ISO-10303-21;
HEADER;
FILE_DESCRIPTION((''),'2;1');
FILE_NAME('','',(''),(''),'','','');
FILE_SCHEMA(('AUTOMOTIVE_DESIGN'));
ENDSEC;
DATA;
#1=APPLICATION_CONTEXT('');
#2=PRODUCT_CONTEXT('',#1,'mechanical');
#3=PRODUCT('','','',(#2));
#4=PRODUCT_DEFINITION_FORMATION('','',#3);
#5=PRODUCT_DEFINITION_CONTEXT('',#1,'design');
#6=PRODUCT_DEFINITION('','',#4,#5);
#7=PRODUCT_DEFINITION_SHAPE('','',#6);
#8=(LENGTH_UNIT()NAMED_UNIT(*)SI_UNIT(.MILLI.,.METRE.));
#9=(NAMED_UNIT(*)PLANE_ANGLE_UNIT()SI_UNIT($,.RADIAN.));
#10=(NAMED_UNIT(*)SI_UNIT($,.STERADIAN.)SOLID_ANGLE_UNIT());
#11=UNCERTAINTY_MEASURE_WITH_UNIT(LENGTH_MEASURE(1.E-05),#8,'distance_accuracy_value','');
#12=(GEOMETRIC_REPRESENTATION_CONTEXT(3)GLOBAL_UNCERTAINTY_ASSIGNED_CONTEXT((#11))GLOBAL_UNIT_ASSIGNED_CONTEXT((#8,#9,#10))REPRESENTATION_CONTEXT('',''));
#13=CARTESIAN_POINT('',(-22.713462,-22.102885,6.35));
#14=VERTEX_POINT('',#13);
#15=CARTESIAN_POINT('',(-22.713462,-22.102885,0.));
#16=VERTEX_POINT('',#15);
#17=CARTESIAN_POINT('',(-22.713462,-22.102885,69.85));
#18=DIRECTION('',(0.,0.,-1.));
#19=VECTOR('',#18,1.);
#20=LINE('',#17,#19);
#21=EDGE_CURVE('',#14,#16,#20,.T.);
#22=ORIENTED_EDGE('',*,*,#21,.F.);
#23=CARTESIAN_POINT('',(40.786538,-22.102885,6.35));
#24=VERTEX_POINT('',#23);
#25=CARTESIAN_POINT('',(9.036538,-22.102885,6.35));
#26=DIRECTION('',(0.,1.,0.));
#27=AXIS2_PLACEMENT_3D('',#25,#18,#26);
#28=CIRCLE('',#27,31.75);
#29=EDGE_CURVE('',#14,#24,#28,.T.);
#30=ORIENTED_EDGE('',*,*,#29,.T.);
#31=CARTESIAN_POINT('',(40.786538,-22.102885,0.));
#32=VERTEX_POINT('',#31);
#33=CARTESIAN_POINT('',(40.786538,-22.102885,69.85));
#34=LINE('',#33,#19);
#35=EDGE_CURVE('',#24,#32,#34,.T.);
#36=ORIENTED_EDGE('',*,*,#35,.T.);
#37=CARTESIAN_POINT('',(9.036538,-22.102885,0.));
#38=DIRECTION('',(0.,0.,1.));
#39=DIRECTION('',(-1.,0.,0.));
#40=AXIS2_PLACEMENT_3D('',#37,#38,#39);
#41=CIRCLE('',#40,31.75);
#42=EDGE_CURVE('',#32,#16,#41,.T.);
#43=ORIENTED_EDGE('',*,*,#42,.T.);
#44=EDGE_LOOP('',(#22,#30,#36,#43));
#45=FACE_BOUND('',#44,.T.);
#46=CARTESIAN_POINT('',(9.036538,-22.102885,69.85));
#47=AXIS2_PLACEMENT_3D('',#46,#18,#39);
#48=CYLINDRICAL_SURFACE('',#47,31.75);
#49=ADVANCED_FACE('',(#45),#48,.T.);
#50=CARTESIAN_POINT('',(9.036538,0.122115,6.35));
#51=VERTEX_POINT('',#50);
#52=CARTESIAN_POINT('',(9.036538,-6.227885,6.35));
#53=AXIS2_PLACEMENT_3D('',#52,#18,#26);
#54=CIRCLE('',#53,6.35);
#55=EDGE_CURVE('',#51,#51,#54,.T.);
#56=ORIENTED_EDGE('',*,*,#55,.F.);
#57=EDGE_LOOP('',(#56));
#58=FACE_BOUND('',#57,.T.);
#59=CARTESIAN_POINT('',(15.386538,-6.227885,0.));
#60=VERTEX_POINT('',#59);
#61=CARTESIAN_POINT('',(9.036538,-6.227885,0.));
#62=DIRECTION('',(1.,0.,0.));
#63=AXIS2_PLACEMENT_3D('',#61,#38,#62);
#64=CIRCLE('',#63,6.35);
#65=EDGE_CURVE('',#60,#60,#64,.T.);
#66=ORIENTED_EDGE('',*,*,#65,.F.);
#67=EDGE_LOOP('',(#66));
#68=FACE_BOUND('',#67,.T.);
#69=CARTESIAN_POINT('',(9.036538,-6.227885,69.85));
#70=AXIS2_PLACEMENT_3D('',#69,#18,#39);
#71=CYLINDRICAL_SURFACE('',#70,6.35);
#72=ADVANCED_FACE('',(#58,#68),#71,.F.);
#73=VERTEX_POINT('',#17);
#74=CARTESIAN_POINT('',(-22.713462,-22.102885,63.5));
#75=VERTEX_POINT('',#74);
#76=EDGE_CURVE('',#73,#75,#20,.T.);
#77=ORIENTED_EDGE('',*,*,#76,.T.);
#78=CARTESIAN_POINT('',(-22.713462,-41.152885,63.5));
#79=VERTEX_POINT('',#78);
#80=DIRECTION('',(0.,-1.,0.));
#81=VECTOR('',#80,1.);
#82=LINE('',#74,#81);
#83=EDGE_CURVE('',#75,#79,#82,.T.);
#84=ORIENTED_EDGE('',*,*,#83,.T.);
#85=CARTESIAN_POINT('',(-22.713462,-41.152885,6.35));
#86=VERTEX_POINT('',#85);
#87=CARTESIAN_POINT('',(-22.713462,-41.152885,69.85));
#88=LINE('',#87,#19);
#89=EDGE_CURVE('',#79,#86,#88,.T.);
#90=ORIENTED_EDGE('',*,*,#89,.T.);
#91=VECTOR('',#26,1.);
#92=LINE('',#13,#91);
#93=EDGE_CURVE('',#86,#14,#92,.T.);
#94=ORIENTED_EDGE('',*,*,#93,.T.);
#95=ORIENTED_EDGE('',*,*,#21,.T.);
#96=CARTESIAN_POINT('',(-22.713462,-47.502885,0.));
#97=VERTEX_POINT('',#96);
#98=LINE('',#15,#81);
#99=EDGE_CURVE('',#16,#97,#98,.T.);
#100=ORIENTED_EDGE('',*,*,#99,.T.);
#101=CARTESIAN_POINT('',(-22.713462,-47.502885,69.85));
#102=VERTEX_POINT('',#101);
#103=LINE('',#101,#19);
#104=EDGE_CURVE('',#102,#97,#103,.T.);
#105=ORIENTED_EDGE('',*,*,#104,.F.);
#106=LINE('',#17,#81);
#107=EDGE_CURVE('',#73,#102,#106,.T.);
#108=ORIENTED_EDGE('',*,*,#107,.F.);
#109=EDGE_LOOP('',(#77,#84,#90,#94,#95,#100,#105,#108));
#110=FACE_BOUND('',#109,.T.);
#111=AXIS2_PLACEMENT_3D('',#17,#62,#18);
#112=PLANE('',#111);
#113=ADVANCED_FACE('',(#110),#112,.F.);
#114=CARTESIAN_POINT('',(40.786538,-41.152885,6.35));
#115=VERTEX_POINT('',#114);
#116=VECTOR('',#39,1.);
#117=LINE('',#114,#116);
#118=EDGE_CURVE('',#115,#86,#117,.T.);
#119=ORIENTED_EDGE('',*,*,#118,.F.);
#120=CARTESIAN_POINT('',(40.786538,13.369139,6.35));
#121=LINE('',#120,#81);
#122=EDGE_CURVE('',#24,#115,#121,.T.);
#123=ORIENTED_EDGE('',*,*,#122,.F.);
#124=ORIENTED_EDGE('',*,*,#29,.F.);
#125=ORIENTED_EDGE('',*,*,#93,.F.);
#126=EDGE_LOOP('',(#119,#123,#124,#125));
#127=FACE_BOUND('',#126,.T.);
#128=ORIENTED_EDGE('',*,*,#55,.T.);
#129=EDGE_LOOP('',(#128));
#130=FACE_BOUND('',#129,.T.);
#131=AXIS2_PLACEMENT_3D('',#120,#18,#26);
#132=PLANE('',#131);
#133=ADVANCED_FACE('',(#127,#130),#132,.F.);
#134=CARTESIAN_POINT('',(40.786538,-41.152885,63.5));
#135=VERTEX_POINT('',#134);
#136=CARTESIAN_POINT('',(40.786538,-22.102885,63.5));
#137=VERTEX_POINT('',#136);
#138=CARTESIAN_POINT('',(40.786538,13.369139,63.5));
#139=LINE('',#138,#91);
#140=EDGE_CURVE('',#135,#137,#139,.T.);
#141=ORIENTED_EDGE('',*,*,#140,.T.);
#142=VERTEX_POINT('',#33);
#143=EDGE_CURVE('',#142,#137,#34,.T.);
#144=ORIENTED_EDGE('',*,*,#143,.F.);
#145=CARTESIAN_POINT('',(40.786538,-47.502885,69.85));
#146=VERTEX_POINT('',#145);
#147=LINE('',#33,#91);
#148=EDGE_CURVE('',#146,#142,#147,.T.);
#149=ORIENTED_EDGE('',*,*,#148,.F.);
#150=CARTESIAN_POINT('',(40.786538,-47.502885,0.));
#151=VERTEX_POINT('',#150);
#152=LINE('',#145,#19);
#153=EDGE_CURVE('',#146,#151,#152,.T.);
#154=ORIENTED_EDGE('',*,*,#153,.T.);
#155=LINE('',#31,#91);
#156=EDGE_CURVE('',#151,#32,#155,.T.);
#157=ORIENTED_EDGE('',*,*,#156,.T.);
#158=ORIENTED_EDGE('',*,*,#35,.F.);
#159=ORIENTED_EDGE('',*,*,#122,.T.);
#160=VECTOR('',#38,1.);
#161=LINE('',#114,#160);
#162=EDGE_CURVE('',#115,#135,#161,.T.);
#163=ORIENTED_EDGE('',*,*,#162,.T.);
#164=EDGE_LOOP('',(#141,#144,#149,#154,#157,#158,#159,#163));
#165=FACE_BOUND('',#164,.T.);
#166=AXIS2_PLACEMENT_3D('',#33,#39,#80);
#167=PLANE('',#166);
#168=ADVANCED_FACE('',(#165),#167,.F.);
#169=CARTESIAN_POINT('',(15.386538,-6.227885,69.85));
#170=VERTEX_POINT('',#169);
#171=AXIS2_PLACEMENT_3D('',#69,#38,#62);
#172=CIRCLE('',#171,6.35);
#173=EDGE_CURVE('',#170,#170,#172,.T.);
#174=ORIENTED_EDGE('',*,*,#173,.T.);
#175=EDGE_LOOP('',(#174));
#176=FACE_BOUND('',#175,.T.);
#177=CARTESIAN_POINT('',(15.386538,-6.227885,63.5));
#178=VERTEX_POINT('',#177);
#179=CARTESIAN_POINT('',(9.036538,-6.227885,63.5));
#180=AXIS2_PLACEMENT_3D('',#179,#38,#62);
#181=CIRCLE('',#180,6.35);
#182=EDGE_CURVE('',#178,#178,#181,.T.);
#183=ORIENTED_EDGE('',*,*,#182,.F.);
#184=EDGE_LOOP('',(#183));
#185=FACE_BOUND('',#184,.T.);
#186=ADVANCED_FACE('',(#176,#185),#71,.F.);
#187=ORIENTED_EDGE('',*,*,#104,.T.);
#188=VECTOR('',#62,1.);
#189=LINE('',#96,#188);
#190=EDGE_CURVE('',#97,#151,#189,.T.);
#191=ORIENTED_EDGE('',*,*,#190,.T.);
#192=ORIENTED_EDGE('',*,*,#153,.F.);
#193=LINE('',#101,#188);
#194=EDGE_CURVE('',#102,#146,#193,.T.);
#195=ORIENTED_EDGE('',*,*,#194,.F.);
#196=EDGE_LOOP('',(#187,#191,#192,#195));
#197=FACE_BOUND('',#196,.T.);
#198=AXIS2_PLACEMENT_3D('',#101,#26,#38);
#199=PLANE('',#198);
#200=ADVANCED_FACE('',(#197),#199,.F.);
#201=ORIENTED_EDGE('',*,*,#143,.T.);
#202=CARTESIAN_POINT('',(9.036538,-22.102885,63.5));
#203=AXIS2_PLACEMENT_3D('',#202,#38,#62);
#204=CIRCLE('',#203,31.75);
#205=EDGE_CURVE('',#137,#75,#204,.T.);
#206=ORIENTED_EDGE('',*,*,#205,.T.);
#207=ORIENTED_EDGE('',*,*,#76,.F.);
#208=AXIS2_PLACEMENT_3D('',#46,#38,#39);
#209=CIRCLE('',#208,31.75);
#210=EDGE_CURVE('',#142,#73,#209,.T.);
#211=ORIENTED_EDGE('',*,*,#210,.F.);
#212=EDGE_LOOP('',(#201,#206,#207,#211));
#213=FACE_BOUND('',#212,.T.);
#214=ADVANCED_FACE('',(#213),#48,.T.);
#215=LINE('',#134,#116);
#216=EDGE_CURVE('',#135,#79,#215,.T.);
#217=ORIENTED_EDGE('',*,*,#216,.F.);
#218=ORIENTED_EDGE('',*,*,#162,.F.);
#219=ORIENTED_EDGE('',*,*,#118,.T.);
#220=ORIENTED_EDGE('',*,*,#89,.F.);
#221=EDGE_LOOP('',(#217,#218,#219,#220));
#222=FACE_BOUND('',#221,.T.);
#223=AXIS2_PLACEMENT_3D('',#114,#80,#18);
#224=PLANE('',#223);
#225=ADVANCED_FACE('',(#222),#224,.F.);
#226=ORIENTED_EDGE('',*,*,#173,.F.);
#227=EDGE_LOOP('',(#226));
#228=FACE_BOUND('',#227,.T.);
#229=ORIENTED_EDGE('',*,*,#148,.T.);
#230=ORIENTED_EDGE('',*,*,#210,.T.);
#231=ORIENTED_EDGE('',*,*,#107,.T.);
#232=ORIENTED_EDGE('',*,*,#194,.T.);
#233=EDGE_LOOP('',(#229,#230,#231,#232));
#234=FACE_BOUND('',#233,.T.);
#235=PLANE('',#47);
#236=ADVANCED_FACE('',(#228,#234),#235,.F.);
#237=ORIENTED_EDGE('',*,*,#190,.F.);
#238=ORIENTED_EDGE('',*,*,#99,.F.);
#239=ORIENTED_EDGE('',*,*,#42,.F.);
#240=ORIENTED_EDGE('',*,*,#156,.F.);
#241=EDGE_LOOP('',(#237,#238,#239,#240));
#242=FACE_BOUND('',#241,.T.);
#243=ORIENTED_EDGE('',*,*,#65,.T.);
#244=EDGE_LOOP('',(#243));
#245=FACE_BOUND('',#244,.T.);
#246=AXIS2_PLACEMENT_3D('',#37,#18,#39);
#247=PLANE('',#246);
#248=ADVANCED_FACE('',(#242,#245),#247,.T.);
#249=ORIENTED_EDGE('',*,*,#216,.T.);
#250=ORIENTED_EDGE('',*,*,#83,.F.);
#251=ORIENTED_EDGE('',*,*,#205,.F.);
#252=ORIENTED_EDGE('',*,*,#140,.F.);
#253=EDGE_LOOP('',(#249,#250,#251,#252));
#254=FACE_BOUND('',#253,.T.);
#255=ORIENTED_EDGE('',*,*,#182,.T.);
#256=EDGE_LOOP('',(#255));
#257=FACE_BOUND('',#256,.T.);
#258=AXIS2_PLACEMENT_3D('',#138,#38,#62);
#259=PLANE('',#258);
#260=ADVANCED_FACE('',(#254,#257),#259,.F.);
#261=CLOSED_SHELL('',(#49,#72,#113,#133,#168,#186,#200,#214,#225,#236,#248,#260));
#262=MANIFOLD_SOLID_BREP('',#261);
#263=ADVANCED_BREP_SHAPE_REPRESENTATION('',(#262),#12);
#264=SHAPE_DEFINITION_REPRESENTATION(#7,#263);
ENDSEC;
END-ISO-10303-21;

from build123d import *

# Parameters (mm, degrees)
SKETCH1_R               = 6.35
BOSS_EXTRUDE1_DEPTH     = 69.85
SKETCH2_W               = 57.15
SKETCH2_H               = 54.522023849
CUT_EXTRUDE1_DEPTH      = 1
CUT_EXTRUDE1_DEPTH_BACK = 64.5


with BuildPart() as part:
    # Sketch1 → Boss-Extrude1 (new body)
    with BuildSketch(Plane.XY):
        with BuildLine():
            Line((-22.713461538, -22.102884615), (-22.713461538, -47.502884615))
            Line((-22.713461538, -47.502884615), (40.786538462, -47.502884615))
            Line((40.786538462, -47.502884615), (40.786538462, -22.102884615))
            ThreePointArc((40.786538462, -22.102884615), (9.036538462, 9.647115385), (-22.713461538, -22.102884615))
        make_face()
        with Locations((9.036538462, -6.227884615)):
            Circle(SKETCH1_R, mode=Mode.SUBTRACT)
    extrude(amount=BOSS_EXTRUDE1_DEPTH)

    # Sketch2 → Cut-Extrude1 (cut, two sides)
    with BuildSketch(Plane.ZY.offset(22.713461538)) as cut_extrude1_sk:
        with Locations((34.925, -13.891872691)):
            Rectangle(SKETCH2_W, SKETCH2_H)
    extrude(amount=CUT_EXTRUDE1_DEPTH, mode=Mode.SUBTRACT)
    extrude(cut_extrude1_sk.sketch, amount=-CUT_EXTRUDE1_DEPTH_BACK, mode=Mode.SUBTRACT)


solid = part.part
